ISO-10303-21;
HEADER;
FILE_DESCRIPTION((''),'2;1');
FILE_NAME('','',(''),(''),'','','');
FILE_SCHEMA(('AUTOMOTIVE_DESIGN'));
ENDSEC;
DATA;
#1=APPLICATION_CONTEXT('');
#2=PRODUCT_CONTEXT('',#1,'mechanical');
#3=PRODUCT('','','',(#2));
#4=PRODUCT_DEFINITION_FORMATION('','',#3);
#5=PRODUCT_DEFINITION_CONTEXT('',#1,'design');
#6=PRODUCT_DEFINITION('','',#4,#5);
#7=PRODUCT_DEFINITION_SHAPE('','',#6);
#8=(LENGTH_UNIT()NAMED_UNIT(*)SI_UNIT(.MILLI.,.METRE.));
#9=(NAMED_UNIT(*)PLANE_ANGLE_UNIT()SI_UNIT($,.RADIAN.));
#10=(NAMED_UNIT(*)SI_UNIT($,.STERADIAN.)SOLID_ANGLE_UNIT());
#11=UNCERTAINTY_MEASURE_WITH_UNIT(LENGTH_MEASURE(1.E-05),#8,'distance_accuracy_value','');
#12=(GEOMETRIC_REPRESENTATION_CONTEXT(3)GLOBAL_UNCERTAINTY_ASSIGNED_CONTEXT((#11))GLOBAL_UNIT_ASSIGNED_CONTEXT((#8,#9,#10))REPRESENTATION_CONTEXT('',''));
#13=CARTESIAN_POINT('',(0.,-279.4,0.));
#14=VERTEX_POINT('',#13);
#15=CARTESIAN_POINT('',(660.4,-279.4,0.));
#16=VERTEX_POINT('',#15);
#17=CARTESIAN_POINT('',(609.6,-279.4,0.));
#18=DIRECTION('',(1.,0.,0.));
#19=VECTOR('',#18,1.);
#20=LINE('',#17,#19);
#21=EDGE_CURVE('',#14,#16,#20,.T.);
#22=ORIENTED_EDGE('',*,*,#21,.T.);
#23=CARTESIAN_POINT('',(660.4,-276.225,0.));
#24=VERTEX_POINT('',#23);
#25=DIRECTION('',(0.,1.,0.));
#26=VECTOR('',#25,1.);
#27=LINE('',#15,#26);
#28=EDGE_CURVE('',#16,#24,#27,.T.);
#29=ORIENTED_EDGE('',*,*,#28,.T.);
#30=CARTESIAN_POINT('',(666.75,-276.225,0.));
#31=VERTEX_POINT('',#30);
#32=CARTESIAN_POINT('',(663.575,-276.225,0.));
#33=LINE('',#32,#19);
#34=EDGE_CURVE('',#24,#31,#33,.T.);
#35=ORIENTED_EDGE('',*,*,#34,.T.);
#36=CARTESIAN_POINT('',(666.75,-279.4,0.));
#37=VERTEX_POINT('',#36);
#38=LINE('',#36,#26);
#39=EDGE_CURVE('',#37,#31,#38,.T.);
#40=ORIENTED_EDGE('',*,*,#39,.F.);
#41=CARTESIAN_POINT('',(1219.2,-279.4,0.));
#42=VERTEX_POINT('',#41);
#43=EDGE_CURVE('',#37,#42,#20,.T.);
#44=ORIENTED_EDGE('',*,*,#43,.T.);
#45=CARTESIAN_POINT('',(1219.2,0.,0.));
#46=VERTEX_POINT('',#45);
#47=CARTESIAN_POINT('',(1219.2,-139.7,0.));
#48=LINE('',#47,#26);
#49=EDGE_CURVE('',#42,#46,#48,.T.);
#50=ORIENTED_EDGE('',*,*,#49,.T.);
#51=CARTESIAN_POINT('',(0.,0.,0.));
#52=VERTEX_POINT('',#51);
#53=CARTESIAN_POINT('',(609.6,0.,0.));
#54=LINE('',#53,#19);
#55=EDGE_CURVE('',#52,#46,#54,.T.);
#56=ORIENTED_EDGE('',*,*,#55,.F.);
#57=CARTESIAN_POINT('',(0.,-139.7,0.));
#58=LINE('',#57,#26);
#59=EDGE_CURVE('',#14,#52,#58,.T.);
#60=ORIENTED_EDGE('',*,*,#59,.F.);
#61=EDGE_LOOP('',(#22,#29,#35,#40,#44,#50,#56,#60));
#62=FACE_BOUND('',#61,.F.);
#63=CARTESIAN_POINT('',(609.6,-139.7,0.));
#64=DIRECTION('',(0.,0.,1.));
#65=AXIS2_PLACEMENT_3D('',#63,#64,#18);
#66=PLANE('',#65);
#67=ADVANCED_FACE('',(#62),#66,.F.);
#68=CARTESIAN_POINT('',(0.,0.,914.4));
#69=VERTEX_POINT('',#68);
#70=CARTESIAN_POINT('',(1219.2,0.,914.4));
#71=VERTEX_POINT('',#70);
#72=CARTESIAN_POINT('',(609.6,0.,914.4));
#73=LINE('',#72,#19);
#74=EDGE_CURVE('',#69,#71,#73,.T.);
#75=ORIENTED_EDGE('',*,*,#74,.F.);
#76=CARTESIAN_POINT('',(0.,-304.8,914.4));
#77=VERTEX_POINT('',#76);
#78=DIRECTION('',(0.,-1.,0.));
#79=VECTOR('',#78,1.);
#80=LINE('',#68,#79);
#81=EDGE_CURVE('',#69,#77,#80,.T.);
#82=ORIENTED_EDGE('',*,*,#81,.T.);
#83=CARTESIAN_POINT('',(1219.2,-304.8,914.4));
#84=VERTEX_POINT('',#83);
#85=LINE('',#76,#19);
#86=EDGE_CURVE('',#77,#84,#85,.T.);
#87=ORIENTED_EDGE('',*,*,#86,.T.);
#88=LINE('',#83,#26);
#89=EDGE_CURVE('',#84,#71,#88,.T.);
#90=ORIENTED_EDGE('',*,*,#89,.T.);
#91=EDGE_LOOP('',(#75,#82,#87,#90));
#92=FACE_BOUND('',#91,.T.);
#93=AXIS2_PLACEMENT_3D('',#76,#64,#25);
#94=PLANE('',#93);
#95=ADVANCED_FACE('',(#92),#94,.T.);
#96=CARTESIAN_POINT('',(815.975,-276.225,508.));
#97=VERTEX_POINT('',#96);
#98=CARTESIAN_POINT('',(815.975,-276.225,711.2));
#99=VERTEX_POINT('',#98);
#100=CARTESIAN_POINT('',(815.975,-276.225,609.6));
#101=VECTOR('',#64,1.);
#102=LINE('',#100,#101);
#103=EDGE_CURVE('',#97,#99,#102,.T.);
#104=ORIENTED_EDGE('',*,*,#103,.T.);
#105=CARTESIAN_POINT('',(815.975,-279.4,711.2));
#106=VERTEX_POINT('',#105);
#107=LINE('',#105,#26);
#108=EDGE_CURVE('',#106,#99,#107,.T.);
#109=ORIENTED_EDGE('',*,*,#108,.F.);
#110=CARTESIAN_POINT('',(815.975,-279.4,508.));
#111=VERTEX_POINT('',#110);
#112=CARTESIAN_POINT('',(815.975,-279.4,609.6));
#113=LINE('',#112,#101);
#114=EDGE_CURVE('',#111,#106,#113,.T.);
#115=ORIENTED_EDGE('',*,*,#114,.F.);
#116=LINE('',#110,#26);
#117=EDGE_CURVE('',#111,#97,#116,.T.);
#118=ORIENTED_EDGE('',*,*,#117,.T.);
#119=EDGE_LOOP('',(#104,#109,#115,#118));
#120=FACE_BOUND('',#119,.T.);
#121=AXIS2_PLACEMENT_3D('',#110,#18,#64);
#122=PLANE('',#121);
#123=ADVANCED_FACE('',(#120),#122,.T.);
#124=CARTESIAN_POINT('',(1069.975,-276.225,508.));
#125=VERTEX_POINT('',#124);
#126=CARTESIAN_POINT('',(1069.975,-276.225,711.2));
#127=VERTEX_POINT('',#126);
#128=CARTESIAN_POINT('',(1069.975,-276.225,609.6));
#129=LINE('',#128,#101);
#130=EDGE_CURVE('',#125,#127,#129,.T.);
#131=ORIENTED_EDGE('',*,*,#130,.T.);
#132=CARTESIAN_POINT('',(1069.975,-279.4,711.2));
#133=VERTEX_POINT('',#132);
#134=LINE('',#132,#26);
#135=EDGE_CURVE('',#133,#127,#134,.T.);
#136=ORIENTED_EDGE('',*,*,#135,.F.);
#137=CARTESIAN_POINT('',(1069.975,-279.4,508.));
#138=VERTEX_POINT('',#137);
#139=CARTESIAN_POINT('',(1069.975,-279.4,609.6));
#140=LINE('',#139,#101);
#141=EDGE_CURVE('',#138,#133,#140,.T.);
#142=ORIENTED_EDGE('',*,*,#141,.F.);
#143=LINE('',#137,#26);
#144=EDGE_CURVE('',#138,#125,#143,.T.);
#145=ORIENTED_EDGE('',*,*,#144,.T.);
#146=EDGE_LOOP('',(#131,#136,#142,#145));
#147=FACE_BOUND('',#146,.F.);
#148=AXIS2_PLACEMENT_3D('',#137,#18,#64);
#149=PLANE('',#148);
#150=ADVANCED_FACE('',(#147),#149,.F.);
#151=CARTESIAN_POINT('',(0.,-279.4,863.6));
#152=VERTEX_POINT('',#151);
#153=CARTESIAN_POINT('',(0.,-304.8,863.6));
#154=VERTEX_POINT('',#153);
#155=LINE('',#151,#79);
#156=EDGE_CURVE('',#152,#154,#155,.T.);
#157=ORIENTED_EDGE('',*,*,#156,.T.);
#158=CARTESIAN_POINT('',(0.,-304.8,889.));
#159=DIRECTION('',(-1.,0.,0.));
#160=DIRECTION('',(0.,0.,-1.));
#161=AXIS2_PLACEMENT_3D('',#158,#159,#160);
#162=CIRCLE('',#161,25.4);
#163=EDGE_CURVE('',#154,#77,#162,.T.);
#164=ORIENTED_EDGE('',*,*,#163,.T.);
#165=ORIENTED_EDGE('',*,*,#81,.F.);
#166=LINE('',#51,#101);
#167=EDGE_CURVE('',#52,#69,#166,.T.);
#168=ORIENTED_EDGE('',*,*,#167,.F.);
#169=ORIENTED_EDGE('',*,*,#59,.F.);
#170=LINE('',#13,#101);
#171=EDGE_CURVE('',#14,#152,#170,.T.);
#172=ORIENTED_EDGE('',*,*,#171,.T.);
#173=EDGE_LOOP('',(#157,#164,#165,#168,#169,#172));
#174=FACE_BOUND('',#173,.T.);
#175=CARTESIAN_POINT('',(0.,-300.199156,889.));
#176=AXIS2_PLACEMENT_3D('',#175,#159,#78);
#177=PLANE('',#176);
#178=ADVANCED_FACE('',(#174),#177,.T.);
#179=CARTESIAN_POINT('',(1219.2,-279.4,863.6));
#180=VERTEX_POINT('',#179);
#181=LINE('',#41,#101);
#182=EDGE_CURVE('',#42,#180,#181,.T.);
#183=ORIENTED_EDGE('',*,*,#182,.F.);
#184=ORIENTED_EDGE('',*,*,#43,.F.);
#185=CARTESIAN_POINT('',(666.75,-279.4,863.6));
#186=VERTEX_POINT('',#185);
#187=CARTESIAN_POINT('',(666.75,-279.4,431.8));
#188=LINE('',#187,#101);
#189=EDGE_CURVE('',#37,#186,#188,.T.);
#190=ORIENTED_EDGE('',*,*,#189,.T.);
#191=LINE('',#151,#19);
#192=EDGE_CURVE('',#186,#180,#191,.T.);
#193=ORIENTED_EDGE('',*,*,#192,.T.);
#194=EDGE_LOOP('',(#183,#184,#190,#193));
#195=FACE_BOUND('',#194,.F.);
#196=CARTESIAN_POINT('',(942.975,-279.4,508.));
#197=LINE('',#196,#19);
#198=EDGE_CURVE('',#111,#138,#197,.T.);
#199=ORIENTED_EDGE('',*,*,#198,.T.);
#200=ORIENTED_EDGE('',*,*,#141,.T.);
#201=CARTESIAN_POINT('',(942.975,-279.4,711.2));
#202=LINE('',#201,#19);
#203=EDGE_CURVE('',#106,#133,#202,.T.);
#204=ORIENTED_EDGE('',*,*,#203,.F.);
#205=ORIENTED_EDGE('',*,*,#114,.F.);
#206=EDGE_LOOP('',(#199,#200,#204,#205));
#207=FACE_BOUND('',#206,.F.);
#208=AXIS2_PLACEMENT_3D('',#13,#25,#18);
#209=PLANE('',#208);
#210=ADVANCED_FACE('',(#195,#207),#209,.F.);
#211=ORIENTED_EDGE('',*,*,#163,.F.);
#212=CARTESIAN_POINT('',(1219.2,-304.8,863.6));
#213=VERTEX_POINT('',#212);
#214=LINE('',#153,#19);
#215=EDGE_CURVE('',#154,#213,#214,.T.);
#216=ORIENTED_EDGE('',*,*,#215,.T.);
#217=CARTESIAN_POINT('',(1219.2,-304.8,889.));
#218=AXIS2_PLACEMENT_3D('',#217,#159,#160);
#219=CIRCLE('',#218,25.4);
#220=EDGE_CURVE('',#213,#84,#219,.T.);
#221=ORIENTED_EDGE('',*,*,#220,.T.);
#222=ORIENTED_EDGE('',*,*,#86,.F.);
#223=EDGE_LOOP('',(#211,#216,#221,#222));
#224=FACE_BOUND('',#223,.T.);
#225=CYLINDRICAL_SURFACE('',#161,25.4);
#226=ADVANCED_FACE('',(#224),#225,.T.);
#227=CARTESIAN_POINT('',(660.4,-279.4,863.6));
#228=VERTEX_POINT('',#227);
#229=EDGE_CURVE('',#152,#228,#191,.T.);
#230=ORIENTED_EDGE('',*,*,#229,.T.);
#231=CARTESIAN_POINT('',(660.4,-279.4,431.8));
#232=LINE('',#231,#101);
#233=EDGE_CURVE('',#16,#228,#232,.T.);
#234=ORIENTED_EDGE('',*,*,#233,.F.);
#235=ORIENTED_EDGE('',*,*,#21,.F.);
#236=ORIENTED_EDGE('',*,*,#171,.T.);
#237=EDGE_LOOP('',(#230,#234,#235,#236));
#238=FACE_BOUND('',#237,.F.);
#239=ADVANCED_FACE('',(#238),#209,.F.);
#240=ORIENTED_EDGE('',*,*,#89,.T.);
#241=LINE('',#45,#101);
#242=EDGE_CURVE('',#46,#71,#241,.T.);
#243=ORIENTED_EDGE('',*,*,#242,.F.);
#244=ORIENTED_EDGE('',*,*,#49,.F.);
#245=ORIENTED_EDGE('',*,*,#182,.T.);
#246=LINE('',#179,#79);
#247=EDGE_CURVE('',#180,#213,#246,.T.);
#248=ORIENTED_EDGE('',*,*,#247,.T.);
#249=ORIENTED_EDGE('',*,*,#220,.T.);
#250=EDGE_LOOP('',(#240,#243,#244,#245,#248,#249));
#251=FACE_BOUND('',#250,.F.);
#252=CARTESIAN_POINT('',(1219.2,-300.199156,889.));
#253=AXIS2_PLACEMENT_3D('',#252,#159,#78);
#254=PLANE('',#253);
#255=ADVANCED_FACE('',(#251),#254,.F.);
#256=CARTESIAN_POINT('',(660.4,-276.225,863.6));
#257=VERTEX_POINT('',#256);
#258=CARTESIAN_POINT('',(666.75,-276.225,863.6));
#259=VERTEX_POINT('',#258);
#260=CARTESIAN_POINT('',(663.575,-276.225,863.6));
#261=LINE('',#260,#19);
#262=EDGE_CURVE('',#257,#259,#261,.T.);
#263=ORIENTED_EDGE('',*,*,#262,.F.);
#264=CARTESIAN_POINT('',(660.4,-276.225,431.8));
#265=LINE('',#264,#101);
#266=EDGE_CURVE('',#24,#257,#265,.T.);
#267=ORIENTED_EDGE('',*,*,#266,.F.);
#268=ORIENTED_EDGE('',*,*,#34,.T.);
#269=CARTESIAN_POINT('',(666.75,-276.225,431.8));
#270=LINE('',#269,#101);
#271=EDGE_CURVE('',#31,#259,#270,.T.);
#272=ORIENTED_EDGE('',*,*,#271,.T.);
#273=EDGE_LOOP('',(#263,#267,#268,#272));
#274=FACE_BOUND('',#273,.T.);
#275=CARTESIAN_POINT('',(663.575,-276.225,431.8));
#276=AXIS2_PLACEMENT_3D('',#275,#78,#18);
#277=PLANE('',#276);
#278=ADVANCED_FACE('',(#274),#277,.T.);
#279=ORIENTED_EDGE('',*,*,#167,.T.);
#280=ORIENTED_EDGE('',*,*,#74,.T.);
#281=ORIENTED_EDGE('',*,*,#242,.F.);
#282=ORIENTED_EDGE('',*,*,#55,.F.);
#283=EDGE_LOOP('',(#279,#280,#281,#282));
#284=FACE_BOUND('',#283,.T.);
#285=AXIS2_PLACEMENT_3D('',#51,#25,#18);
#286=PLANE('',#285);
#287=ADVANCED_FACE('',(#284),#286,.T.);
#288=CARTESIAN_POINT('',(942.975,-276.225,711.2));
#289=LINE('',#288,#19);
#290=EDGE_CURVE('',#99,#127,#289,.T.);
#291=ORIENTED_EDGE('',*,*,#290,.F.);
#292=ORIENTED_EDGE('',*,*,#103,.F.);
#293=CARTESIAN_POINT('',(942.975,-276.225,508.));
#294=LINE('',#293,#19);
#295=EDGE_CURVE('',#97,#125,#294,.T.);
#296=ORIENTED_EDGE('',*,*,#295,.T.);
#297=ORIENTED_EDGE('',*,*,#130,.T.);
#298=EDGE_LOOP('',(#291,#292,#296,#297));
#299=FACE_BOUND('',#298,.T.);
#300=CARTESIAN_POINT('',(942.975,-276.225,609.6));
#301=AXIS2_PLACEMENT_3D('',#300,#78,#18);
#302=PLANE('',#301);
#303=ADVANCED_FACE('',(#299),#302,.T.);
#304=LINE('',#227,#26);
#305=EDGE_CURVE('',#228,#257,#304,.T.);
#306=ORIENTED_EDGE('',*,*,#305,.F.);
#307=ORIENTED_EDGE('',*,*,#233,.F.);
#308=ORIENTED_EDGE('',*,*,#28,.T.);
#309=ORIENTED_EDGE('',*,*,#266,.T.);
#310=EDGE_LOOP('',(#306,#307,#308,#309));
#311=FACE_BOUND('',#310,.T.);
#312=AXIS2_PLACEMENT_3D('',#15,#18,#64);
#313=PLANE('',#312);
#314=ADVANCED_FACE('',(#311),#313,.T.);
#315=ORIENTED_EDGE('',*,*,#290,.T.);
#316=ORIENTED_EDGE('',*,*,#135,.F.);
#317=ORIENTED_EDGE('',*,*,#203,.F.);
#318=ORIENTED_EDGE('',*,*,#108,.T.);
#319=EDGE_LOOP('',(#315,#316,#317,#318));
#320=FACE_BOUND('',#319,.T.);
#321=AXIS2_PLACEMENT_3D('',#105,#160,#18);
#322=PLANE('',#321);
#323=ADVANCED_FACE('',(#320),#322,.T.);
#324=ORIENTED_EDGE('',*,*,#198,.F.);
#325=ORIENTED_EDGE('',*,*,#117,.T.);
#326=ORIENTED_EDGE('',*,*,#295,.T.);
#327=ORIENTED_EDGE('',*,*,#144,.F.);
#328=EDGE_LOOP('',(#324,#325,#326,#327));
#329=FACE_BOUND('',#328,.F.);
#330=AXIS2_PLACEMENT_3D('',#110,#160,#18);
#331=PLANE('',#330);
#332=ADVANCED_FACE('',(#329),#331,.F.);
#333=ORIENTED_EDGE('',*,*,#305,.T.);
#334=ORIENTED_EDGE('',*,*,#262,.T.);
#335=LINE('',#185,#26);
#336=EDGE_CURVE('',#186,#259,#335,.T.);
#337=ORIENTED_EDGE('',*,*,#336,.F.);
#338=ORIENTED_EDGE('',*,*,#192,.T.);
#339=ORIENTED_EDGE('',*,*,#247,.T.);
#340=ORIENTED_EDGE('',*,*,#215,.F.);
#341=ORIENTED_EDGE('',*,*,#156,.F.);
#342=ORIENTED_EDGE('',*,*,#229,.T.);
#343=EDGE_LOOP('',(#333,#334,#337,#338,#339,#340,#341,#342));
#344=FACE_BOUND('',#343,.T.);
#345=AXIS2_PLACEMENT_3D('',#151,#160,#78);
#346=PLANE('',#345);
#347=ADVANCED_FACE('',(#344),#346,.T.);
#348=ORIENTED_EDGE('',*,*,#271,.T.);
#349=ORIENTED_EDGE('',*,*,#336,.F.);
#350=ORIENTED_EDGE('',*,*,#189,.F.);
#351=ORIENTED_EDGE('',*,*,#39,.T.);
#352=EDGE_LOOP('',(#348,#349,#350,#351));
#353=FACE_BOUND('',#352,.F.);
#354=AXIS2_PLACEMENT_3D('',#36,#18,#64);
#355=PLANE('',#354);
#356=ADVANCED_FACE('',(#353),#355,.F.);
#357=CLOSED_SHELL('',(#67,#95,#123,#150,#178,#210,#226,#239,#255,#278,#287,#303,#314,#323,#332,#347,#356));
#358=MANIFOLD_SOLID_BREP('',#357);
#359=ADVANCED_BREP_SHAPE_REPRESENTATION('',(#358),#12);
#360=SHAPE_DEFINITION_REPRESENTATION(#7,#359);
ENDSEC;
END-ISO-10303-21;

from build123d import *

# Parameters (mm, degrees)
F0_W     = 1219.2
F0_H     = 279.4
F1_DEPTH = 914.4
F3_DEPTH = 1219.2
F4_W     = 6.35
F4_H     = 863.6
F4_W_2   = 254
F4_H_2   = 203.2
F5_DEPTH = 3.175


with BuildPart() as f1:
    # F0 (on Top) → F1 (new body)
    with BuildSketch(Plane.XY):
        with Locations((609.6, -139.7)):
            Rectangle(F0_W, F0_H)
    extrude(amount=F1_DEPTH)

    # F2 (on face) → F3 (join, through all)
    with BuildSketch(Plane(origin=(0, 0, 0), x_dir=(0, -1, 0), z_dir=(-1, 0, 0))):
        with BuildLine():
            Line((304.8, 914.4), (279.4, 914.4))
            Line((279.4, 914.4), (279.4, 863.6))
            Line((279.4, 863.6), (304.8, 863.6))
            ThreePointArc((304.8, 863.6), (330.2, 889), (304.8, 914.4))
        make_face()
    extrude(amount=-F3_DEPTH)

    # F4 (on face) → F5 (cut)
    with BuildSketch(Plane.XZ.offset(279.4)):
        with Locations((663.575, 431.8)):
            Rectangle(F4_W, F4_H)
        with Locations((942.975, 609.6)):
            Rectangle(F4_W_2, F4_H_2)
    extrude(amount=-F5_DEPTH, mode=Mode.SUBTRACT)


solid = f1.part
